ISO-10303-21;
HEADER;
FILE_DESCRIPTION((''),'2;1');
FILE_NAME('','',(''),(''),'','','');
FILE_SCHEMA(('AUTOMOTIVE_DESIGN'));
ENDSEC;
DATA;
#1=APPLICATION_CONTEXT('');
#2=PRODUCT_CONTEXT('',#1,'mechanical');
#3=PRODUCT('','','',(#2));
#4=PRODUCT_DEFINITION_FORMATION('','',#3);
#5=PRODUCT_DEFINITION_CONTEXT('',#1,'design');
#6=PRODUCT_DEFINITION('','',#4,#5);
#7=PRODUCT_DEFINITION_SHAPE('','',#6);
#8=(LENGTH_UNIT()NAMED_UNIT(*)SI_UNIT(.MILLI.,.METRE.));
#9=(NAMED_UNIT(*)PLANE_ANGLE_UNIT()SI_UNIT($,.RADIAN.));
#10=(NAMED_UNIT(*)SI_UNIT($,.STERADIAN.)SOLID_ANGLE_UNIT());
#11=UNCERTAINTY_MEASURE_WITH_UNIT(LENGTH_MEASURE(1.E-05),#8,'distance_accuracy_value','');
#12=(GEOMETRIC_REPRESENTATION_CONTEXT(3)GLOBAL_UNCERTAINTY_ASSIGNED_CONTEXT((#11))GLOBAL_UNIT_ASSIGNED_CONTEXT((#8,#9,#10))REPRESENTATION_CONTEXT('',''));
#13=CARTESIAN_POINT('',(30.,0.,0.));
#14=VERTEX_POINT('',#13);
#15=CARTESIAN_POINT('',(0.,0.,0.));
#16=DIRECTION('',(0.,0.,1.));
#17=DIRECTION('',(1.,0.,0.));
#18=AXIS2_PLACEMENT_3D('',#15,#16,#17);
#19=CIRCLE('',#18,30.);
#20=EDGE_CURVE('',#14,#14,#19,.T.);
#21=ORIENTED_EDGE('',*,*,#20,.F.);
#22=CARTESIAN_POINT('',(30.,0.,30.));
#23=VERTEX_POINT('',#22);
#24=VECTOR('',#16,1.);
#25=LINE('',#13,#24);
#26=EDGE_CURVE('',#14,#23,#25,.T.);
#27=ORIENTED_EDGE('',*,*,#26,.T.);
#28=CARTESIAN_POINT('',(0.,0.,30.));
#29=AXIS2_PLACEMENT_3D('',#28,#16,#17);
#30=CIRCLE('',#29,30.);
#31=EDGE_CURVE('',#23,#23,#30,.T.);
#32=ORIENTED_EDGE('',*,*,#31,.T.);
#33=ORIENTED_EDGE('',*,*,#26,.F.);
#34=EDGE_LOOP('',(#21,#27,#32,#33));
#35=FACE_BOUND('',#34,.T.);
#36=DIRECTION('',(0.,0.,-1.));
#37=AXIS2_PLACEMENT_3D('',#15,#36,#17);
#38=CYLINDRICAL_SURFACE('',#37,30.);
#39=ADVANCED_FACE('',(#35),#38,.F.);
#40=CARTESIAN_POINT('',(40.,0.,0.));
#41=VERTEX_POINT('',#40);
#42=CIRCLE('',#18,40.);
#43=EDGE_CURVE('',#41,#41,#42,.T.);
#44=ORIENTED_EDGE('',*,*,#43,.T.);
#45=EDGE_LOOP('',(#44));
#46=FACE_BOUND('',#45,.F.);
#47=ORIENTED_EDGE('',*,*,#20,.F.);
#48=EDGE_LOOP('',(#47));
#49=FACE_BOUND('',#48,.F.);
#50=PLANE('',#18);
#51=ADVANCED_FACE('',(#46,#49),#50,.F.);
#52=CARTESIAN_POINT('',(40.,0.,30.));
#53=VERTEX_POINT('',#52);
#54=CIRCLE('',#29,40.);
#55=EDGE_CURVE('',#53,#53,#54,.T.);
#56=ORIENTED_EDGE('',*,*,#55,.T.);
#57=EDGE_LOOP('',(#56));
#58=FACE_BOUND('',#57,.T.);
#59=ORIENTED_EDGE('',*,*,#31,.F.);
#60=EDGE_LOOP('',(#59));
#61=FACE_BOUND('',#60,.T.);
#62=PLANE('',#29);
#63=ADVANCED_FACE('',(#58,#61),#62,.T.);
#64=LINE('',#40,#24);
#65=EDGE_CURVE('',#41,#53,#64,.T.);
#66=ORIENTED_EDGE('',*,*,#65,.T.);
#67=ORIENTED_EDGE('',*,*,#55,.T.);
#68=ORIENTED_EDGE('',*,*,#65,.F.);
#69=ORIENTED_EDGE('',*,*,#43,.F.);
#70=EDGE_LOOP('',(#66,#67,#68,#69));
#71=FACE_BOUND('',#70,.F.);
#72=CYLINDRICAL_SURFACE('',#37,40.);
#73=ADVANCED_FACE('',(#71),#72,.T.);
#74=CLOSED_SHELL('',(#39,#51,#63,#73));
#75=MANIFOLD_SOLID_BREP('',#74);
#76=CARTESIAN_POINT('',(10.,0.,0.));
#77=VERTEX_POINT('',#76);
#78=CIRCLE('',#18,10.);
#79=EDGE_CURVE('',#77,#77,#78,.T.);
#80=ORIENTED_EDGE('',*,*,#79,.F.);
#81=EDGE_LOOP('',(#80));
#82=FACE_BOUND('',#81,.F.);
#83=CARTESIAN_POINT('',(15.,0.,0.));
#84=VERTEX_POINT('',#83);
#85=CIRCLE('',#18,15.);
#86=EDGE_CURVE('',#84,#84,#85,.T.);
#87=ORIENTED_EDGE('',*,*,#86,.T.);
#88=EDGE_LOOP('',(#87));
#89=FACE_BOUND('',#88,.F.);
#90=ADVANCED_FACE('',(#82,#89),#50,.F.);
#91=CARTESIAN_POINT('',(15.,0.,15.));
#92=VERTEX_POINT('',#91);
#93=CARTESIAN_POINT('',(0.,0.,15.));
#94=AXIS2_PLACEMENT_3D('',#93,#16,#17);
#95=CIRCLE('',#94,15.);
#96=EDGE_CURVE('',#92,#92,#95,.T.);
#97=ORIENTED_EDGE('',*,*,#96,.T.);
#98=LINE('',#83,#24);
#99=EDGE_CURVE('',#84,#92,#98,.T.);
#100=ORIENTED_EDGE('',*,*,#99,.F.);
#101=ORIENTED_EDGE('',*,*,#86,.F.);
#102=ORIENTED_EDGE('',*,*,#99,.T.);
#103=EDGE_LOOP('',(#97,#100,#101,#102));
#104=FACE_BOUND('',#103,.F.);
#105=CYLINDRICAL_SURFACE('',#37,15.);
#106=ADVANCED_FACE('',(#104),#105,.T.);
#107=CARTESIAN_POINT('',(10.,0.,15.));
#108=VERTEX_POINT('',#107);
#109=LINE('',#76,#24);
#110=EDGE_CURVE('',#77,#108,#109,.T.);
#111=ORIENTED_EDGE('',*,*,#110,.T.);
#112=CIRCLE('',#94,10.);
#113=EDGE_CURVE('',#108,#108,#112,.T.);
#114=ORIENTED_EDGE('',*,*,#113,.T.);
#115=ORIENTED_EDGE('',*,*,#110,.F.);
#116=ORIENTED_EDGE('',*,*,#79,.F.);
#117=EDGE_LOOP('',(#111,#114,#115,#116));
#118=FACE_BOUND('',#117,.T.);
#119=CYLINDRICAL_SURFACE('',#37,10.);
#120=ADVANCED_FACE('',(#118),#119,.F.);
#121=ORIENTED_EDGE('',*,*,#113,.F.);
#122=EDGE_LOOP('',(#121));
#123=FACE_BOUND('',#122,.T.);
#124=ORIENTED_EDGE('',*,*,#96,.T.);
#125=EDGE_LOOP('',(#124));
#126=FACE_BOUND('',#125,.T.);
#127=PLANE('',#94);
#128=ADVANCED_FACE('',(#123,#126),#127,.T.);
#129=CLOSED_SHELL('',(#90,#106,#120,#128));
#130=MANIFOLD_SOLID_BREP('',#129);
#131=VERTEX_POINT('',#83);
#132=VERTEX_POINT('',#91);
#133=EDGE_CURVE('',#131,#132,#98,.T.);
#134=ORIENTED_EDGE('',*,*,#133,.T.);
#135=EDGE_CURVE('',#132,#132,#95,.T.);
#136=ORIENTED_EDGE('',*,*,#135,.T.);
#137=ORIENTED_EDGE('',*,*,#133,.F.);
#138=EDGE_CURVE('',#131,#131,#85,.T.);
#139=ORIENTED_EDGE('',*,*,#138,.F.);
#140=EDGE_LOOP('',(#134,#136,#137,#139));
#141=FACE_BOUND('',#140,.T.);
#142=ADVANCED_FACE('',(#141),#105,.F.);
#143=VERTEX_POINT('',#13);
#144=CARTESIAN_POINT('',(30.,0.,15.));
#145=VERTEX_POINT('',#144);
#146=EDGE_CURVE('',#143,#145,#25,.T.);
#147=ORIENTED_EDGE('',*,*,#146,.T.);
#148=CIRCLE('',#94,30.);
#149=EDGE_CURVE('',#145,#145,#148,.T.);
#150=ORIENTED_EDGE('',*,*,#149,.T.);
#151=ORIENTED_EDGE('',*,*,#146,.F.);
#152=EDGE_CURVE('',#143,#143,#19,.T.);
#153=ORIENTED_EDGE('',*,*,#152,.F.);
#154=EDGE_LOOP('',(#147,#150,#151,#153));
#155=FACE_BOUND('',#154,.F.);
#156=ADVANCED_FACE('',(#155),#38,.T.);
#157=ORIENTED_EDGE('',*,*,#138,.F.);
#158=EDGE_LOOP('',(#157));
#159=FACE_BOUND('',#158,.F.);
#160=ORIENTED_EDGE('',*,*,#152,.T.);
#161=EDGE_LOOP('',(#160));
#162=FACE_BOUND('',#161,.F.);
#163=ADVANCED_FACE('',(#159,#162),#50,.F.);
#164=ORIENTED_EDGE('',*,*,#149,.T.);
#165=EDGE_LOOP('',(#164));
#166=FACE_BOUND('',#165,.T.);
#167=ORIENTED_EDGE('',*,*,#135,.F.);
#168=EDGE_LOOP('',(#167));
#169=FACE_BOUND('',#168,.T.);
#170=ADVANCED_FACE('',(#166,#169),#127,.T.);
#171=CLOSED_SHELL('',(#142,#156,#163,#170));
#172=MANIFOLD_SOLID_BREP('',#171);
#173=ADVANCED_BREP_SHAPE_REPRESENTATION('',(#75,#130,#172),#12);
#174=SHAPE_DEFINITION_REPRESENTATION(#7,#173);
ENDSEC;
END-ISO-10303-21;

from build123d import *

# Parameters (mm, degrees)
F0_R        = 40
F0_R_2      = 30
F1_DEPTH    = 30
F0_R_3      = 15
F0_R_4      = 10
F2_DEPTH    = 20
F3_DEPTH    = 15
F2_FACE_R   = 15
F2_FACE_R_2 = 10
F4_DEPTH    = 5


with BuildPart() as f1:
    # F0 (on Top) → F1 (new body)
    with BuildSketch(Plane.XY):
        Circle(F0_R)
        Circle(F0_R_2, mode=Mode.SUBTRACT)
    extrude(amount=F1_DEPTH)


with BuildPart() as f2:
    # F0 (on Top) → F2 (new body)
    with BuildSketch(Plane.XY):
        Circle(F0_R_3)
        Circle(F0_R_4, mode=Mode.SUBTRACT)
    extrude(amount=F2_DEPTH)

    # F2_face (on face) → F4 (cut)
    with BuildSketch(Plane.XY.offset(20)):
        Circle(F2_FACE_R)
        Circle(F2_FACE_R_2, mode=Mode.SUBTRACT)
    extrude(amount=-F4_DEPTH, mode=Mode.SUBTRACT)


with BuildPart() as f3:
    # F0 (on Top) → F3 (new body)
    with BuildSketch(Plane.XY):
        Circle(F0_R_2)
        Circle(F0_R_3, mode=Mode.SUBTRACT)
    extrude(amount=F3_DEPTH)


solid = Compound([f1.part, f2.part, f3.part])
